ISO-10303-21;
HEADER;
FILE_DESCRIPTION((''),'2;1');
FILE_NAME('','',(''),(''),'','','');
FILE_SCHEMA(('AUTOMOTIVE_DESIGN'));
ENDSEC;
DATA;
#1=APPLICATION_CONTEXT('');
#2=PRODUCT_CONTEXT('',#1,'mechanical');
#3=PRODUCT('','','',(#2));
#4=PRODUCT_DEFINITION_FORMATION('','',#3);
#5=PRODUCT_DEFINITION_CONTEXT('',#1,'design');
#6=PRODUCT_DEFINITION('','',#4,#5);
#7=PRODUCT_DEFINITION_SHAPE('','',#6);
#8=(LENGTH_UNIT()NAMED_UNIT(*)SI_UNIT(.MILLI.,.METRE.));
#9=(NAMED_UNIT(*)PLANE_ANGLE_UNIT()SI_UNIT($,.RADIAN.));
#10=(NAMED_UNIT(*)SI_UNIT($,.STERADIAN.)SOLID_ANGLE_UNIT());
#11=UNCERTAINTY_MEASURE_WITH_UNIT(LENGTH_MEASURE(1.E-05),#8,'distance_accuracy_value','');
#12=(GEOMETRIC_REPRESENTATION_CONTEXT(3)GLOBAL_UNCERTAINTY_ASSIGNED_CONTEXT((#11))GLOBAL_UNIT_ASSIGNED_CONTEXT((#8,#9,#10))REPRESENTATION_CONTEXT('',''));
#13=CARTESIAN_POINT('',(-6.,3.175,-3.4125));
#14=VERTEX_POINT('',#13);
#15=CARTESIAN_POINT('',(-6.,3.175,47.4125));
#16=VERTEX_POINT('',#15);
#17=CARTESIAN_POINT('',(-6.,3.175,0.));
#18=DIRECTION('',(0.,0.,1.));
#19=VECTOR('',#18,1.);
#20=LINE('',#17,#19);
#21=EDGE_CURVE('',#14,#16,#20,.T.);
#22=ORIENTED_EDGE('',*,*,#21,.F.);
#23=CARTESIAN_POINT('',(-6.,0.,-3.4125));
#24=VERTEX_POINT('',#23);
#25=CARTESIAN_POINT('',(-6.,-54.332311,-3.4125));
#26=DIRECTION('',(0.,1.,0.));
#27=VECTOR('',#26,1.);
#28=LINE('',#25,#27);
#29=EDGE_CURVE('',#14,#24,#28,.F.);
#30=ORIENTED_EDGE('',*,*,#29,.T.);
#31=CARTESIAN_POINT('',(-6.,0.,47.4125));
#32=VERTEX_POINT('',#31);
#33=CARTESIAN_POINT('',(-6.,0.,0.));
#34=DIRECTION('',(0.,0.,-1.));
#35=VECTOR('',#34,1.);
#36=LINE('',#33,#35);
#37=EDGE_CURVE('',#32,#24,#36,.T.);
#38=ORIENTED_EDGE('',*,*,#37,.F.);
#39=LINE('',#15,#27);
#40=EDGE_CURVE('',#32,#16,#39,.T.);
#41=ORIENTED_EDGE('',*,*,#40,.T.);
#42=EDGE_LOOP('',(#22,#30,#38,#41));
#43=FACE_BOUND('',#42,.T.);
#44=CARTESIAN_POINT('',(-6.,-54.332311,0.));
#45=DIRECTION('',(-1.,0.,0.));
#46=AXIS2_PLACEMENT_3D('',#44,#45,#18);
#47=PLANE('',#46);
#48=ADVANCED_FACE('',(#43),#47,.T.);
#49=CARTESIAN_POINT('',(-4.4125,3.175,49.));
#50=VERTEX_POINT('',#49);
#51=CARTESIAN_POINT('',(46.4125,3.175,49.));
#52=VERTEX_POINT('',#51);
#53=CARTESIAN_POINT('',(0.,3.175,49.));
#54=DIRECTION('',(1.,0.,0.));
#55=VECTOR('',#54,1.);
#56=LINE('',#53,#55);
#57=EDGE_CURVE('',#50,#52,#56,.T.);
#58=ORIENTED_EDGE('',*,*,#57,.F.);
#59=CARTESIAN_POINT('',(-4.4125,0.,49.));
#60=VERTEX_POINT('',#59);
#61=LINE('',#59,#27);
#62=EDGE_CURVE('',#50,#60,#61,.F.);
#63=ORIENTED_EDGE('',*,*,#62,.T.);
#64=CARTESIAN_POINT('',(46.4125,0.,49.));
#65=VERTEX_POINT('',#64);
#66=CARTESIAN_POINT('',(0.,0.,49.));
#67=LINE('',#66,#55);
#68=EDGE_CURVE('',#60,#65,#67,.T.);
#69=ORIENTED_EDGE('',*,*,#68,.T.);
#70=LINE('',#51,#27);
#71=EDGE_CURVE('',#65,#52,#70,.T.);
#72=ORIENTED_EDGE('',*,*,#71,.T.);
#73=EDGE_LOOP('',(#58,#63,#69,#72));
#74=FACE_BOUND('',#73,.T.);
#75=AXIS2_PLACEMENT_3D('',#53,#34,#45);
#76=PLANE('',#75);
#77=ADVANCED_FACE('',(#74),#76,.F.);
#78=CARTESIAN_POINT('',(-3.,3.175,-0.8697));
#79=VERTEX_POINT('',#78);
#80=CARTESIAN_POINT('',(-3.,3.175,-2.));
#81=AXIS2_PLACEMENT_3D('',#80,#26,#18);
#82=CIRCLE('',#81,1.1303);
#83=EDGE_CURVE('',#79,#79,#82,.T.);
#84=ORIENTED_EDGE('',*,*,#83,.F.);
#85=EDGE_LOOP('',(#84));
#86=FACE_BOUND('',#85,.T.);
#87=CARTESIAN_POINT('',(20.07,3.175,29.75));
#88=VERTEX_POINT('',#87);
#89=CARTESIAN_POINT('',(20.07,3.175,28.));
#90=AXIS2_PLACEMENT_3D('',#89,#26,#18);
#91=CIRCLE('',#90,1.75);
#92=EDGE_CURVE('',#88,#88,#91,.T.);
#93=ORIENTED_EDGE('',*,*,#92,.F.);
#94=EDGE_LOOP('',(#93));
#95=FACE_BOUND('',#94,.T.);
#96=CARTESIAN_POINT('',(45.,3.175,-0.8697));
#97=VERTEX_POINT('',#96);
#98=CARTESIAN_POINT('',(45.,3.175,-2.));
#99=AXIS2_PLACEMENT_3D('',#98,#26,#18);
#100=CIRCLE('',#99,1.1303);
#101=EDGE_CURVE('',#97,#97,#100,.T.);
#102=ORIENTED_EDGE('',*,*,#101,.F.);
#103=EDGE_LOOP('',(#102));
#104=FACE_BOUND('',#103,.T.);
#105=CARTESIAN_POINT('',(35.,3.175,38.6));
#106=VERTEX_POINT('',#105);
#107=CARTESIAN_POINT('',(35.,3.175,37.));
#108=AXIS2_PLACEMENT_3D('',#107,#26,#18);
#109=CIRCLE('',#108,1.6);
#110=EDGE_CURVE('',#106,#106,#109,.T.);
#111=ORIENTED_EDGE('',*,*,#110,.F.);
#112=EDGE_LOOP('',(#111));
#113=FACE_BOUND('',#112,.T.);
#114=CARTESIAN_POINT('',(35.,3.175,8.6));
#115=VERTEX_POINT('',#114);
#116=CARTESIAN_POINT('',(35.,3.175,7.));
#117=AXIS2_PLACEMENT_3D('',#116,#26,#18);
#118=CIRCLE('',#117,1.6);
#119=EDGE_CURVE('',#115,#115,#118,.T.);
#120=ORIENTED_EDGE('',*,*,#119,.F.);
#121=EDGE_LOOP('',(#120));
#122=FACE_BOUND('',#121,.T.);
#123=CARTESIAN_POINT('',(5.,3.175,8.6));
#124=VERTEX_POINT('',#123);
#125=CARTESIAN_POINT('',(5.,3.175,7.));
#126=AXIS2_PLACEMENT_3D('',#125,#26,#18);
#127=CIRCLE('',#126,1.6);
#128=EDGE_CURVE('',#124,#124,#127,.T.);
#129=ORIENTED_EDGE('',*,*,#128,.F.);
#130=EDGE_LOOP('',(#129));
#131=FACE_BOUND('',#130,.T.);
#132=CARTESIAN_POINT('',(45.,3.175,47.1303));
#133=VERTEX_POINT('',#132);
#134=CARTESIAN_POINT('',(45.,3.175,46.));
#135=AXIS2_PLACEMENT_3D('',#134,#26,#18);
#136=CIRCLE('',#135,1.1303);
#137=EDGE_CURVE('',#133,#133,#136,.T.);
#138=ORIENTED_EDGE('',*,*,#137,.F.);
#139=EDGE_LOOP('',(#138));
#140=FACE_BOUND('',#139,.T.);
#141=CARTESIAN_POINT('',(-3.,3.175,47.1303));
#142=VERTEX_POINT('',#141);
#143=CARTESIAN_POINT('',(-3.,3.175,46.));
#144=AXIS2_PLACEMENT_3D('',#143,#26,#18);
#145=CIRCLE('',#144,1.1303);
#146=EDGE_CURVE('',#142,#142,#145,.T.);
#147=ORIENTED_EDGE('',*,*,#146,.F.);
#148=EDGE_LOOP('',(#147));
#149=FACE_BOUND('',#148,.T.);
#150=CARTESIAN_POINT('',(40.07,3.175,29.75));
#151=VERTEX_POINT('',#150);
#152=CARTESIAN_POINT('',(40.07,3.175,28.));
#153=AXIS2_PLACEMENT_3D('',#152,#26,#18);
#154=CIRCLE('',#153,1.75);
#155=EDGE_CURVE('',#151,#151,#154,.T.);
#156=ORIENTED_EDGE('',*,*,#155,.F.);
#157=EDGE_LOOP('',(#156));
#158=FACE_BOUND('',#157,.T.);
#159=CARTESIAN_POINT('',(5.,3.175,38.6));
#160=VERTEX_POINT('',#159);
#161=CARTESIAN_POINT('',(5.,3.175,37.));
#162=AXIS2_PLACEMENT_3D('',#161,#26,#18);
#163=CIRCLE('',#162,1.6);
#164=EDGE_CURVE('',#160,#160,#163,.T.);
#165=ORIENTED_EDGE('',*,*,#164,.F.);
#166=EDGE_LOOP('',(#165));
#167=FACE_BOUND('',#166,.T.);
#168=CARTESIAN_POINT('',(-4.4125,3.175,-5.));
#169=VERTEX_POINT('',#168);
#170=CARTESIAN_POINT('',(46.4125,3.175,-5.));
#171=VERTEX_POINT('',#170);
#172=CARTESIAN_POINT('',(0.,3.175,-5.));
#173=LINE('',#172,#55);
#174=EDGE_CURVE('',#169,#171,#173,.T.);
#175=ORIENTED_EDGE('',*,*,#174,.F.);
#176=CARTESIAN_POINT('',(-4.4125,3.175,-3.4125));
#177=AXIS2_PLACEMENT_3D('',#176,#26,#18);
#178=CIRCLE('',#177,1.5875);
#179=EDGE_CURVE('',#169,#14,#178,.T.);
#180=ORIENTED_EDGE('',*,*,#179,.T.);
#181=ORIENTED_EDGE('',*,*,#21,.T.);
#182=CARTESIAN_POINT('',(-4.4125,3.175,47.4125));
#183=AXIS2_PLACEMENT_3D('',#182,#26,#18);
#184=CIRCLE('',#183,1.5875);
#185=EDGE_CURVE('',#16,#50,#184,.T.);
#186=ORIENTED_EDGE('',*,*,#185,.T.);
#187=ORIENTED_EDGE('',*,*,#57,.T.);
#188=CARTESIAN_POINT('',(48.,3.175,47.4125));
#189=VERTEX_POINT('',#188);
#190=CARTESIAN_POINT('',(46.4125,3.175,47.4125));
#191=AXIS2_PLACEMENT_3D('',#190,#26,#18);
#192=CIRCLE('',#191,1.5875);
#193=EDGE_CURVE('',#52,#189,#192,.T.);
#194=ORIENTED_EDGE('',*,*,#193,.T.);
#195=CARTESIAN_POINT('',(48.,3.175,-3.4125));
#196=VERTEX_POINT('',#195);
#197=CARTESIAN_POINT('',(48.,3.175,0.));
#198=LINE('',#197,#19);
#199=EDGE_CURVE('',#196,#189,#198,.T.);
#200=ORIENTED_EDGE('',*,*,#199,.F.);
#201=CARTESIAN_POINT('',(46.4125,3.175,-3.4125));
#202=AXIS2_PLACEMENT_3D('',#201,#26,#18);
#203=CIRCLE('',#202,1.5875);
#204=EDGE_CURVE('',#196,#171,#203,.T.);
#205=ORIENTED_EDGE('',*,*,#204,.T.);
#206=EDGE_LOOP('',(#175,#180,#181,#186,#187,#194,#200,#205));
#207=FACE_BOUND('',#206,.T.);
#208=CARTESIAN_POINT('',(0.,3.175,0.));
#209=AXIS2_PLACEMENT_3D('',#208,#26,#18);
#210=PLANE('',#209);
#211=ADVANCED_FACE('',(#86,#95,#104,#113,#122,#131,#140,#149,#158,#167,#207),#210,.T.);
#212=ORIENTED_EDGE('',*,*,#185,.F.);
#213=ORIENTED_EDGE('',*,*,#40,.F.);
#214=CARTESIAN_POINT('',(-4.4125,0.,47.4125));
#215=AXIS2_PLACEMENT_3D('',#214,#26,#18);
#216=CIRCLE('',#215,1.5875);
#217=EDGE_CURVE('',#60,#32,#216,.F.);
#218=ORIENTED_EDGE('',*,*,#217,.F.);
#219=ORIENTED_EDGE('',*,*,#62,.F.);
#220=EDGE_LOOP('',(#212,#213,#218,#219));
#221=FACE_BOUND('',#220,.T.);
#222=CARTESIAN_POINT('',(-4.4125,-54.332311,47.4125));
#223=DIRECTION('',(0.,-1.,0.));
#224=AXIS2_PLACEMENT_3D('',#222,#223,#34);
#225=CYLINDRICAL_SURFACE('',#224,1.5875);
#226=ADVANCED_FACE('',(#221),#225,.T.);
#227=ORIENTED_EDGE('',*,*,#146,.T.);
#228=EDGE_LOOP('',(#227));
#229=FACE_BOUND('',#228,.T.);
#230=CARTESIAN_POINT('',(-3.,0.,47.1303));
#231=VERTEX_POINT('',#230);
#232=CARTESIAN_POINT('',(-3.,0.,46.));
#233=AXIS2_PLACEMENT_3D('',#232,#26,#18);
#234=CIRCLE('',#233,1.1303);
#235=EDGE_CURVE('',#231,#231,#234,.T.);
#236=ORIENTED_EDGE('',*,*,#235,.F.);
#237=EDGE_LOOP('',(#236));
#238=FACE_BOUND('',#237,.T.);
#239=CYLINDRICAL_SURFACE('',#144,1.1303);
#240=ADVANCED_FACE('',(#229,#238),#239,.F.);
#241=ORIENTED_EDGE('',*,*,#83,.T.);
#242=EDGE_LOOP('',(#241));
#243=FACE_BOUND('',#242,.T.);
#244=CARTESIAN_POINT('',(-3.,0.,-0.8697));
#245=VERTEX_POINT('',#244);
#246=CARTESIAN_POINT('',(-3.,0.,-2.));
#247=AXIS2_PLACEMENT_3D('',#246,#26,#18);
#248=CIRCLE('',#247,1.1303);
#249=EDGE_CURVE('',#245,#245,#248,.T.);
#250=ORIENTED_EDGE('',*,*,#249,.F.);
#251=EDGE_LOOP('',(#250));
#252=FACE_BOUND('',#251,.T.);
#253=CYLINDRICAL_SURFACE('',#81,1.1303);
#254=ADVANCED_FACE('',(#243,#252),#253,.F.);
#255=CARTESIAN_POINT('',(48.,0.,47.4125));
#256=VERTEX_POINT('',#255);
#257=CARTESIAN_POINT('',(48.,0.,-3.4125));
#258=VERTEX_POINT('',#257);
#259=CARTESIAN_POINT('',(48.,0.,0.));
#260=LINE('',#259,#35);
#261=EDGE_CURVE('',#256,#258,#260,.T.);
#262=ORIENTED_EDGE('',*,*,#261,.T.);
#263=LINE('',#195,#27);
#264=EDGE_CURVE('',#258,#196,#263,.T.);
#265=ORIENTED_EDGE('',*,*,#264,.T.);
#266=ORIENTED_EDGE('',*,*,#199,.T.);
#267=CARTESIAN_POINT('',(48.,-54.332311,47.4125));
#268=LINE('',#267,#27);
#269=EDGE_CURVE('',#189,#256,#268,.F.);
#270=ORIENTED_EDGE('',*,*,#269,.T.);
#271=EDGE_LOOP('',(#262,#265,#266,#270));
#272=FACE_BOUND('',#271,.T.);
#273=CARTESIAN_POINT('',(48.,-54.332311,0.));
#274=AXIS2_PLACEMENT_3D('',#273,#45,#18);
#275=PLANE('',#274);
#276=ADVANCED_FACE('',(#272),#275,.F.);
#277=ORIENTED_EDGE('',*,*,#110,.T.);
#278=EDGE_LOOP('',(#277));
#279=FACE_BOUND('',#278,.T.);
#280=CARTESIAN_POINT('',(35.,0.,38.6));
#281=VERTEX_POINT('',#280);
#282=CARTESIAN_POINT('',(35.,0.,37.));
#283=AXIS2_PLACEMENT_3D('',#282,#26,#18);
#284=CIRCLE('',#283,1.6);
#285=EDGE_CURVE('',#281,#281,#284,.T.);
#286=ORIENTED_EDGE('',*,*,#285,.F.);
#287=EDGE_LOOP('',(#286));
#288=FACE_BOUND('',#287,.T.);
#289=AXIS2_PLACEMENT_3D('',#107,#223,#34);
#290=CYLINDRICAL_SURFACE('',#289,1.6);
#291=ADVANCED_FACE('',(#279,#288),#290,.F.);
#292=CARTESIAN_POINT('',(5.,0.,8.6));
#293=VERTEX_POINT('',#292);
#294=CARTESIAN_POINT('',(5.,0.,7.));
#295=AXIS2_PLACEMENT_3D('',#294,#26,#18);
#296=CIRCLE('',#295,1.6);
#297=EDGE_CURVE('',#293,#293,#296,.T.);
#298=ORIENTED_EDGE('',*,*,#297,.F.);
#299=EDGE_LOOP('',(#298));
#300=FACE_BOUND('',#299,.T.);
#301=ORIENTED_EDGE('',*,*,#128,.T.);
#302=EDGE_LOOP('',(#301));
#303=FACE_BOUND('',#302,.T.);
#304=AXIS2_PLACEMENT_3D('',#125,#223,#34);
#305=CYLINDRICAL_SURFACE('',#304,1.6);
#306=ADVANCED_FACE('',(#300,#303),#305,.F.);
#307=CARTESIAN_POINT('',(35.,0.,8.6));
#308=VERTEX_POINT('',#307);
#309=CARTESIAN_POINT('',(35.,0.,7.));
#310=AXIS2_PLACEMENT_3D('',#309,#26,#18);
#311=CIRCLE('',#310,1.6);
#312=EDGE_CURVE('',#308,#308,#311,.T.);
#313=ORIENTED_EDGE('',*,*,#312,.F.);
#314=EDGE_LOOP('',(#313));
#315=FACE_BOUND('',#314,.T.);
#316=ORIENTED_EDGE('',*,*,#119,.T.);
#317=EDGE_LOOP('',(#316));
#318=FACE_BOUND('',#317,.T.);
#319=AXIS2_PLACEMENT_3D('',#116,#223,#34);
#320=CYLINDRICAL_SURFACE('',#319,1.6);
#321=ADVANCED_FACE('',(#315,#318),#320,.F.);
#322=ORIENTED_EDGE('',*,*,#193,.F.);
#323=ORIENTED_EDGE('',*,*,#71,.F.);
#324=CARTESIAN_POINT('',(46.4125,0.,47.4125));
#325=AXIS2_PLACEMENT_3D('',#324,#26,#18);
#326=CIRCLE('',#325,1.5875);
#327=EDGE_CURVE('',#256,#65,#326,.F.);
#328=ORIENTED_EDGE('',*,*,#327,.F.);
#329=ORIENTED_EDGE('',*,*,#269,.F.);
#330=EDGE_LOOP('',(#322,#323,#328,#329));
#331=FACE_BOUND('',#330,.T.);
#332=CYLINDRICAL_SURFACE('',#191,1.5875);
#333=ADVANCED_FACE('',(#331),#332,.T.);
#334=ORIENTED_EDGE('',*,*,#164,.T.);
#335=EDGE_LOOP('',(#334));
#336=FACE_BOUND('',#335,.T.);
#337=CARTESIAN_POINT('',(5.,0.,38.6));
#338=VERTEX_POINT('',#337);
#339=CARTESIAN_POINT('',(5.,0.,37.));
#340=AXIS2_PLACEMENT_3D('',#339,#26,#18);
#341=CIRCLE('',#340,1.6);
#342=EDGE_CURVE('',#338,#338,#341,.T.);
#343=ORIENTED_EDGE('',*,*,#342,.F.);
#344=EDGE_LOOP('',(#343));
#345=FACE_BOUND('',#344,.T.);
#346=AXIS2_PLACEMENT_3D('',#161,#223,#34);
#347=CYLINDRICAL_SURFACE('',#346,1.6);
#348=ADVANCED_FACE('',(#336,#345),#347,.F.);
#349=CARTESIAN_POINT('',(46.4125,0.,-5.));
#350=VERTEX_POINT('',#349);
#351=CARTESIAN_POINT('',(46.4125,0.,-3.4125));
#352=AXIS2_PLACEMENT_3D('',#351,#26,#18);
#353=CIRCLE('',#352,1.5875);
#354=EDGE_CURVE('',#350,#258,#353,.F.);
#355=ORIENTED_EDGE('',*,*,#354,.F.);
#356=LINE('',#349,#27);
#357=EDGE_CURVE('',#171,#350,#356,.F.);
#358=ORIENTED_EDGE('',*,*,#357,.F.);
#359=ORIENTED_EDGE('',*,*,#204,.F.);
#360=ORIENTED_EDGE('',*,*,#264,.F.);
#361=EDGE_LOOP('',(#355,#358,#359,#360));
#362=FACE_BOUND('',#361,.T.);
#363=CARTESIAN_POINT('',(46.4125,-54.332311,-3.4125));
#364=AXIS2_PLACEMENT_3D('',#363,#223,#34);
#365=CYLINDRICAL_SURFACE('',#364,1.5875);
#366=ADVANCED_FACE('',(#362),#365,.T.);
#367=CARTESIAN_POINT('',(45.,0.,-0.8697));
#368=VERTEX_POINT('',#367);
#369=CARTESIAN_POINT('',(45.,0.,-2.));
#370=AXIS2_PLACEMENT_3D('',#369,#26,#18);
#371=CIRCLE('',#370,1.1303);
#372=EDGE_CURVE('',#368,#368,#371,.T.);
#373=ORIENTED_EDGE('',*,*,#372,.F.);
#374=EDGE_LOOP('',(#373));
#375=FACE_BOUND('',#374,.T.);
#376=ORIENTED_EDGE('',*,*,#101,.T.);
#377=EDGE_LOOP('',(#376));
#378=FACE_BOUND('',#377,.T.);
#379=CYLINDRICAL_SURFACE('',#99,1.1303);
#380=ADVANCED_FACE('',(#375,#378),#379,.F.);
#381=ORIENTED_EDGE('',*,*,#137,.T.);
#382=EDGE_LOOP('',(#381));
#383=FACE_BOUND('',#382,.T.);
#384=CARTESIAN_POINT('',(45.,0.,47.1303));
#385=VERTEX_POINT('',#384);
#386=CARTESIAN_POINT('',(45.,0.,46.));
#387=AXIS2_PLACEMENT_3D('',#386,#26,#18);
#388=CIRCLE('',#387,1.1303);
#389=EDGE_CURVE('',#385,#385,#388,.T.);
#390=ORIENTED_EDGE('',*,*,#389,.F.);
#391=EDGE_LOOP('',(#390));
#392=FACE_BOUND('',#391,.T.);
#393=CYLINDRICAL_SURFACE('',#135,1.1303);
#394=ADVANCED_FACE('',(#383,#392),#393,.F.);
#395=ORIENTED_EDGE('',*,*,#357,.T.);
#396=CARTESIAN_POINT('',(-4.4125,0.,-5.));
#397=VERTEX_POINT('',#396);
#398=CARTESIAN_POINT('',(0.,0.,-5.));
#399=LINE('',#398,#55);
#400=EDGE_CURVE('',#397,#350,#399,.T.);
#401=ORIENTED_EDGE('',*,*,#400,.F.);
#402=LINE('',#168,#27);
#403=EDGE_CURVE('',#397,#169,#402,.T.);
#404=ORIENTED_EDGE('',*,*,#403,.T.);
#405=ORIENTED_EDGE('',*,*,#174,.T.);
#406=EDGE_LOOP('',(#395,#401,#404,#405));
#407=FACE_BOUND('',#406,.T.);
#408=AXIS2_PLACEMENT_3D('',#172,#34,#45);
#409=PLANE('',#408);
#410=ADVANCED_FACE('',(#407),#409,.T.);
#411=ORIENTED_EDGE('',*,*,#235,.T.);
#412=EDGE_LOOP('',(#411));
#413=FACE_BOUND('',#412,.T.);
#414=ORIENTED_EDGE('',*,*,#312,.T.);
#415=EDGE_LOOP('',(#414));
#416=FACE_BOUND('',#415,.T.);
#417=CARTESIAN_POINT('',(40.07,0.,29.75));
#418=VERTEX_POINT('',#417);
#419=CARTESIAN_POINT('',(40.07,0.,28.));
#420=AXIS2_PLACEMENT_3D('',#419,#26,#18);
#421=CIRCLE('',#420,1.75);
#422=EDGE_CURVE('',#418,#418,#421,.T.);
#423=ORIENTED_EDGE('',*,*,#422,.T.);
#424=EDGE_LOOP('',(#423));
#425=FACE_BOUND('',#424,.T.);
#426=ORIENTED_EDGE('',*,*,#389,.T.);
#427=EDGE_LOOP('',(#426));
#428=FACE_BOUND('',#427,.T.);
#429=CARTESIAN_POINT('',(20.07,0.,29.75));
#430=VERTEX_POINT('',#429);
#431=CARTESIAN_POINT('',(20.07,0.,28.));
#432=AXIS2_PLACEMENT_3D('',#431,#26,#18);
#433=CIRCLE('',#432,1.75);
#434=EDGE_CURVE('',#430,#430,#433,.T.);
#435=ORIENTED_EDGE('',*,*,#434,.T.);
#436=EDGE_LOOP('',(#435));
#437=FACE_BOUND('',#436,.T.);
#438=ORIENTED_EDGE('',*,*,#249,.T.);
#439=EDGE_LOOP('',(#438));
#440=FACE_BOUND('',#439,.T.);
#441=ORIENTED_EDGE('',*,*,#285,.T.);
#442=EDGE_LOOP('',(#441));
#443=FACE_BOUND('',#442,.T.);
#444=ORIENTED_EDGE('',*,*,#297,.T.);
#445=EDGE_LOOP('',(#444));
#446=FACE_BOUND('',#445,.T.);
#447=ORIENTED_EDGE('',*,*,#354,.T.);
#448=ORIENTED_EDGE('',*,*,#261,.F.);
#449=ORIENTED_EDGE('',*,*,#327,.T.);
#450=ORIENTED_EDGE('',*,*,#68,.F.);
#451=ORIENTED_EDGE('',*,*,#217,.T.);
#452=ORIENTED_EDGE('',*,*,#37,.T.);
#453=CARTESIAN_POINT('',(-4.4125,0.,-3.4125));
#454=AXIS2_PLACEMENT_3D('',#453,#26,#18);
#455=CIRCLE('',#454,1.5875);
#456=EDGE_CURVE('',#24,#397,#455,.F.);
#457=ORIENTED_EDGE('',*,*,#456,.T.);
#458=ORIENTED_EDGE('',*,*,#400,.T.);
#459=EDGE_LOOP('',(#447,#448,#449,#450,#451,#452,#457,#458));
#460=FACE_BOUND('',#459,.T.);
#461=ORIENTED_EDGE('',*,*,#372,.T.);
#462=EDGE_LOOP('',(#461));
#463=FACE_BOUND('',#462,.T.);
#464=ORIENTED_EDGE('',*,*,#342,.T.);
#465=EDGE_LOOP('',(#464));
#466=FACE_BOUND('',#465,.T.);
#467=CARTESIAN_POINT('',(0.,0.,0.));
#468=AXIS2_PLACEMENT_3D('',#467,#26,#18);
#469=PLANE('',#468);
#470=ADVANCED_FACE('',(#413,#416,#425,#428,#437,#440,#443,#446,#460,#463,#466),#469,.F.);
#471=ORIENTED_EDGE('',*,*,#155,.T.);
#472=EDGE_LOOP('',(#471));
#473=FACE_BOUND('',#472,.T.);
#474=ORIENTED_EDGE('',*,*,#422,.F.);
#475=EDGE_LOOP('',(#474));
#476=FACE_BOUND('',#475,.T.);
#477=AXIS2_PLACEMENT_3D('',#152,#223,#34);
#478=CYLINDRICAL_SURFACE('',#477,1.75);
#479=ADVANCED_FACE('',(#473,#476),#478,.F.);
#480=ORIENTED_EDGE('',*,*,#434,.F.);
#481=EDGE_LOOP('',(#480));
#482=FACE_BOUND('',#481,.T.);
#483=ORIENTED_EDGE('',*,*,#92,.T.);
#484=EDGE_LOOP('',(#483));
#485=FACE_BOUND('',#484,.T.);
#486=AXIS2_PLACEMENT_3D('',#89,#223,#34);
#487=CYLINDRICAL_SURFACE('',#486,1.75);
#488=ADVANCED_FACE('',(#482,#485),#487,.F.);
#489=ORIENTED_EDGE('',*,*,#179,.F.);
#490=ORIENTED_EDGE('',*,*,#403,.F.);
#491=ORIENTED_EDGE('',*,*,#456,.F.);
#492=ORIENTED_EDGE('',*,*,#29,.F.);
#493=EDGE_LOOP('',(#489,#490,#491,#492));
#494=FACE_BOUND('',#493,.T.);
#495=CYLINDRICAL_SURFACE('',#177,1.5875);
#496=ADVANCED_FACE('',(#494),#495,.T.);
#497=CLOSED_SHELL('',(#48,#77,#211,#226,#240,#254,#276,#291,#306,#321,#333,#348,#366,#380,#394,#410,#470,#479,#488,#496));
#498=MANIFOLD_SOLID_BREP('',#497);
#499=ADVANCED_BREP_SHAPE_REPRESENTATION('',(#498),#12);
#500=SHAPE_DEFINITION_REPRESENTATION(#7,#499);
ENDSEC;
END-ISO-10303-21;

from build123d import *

# Parameters (mm, degrees)
SKETCH1_W             = 42
SKETCH1_H             = 54
SKETCH1_R             = 1.6
SKETCH1_R_2           = 1.75
BOSS_EXTRUDE1_DEPTH   = 3.175
SKETCH2_W             = 6
SKETCH2_H             = 54
BOSS_EXTRUDE2_DEPTH   = 3.175
F_4_40_TAPPED_HOLE1_D = 2.2606
FILLET1_R             = 1.5875


with BuildPart() as part:
    # Sketch1 → Boss-Extrude1 (new body)
    with BuildSketch(Plane(origin=(0, 0, 0), x_dir=(1, 0, 0), z_dir=(0, 1, 0))):
        with Locations((21, -22)):
            Rectangle(SKETCH1_W, SKETCH1_H)
        with Locations(Location((35, -7, 0), (0, 0, 270))):
            Circle(SKETCH1_R, mode=Mode.SUBTRACT)
        with Locations(Location((5, -37, 0), (0, 0, 270))):
            Circle(SKETCH1_R, mode=Mode.SUBTRACT)
        with Locations(Location((20.07, -28, 0), (0, 0, 270))):
            Circle(SKETCH1_R_2, mode=Mode.SUBTRACT)
        with Locations(Location((35, -37, 0), (0, 0, 270))):
            Circle(SKETCH1_R, mode=Mode.SUBTRACT)
        with Locations(Location((40.07, -28, 0), (0, 0, 270))):
            Circle(SKETCH1_R_2, mode=Mode.SUBTRACT)
        with Locations(Location((5, -7, 0), (0, 0, 270))):
            Circle(SKETCH1_R, mode=Mode.SUBTRACT)
    extrude(amount=BOSS_EXTRUDE1_DEPTH)

    # Sketch2 → Boss-Extrude2 (add)
    with BuildSketch(Plane(origin=(0, 3.175, 0), x_dir=(1, 0, 0), z_dir=(0, 1, 0))):
        with Locations((-3, -22)):
            Rectangle(SKETCH2_W, SKETCH2_H)
        with Locations((45, -22)):
            Rectangle(SKETCH2_W, SKETCH2_H)
    extrude(amount=-BOSS_EXTRUDE2_DEPTH)

    # #4-40 Tapped Hole1 (through all)
    with Locations(Plane(origin=(-3, 3.175, -2), x_dir=(0, 0, 1), z_dir=(0, 1, 0))):
        with Locations((0, 0), (48, 0), (0, 48), (48, 48)):
            Hole(F_4_40_TAPPED_HOLE1_D / 2)

    # Fillet1
    fillet1_edges = [part.edges().sort_by_distance(p)[0] for p in [
        (-6, 1.5875, -5),
        (-6, 1.5875, 49),
        (48, 1.5875, 49),
        (48, 1.5875, -5),
    ]]
    fillet(fillet1_edges, radius=FILLET1_R)


solid = part.part
